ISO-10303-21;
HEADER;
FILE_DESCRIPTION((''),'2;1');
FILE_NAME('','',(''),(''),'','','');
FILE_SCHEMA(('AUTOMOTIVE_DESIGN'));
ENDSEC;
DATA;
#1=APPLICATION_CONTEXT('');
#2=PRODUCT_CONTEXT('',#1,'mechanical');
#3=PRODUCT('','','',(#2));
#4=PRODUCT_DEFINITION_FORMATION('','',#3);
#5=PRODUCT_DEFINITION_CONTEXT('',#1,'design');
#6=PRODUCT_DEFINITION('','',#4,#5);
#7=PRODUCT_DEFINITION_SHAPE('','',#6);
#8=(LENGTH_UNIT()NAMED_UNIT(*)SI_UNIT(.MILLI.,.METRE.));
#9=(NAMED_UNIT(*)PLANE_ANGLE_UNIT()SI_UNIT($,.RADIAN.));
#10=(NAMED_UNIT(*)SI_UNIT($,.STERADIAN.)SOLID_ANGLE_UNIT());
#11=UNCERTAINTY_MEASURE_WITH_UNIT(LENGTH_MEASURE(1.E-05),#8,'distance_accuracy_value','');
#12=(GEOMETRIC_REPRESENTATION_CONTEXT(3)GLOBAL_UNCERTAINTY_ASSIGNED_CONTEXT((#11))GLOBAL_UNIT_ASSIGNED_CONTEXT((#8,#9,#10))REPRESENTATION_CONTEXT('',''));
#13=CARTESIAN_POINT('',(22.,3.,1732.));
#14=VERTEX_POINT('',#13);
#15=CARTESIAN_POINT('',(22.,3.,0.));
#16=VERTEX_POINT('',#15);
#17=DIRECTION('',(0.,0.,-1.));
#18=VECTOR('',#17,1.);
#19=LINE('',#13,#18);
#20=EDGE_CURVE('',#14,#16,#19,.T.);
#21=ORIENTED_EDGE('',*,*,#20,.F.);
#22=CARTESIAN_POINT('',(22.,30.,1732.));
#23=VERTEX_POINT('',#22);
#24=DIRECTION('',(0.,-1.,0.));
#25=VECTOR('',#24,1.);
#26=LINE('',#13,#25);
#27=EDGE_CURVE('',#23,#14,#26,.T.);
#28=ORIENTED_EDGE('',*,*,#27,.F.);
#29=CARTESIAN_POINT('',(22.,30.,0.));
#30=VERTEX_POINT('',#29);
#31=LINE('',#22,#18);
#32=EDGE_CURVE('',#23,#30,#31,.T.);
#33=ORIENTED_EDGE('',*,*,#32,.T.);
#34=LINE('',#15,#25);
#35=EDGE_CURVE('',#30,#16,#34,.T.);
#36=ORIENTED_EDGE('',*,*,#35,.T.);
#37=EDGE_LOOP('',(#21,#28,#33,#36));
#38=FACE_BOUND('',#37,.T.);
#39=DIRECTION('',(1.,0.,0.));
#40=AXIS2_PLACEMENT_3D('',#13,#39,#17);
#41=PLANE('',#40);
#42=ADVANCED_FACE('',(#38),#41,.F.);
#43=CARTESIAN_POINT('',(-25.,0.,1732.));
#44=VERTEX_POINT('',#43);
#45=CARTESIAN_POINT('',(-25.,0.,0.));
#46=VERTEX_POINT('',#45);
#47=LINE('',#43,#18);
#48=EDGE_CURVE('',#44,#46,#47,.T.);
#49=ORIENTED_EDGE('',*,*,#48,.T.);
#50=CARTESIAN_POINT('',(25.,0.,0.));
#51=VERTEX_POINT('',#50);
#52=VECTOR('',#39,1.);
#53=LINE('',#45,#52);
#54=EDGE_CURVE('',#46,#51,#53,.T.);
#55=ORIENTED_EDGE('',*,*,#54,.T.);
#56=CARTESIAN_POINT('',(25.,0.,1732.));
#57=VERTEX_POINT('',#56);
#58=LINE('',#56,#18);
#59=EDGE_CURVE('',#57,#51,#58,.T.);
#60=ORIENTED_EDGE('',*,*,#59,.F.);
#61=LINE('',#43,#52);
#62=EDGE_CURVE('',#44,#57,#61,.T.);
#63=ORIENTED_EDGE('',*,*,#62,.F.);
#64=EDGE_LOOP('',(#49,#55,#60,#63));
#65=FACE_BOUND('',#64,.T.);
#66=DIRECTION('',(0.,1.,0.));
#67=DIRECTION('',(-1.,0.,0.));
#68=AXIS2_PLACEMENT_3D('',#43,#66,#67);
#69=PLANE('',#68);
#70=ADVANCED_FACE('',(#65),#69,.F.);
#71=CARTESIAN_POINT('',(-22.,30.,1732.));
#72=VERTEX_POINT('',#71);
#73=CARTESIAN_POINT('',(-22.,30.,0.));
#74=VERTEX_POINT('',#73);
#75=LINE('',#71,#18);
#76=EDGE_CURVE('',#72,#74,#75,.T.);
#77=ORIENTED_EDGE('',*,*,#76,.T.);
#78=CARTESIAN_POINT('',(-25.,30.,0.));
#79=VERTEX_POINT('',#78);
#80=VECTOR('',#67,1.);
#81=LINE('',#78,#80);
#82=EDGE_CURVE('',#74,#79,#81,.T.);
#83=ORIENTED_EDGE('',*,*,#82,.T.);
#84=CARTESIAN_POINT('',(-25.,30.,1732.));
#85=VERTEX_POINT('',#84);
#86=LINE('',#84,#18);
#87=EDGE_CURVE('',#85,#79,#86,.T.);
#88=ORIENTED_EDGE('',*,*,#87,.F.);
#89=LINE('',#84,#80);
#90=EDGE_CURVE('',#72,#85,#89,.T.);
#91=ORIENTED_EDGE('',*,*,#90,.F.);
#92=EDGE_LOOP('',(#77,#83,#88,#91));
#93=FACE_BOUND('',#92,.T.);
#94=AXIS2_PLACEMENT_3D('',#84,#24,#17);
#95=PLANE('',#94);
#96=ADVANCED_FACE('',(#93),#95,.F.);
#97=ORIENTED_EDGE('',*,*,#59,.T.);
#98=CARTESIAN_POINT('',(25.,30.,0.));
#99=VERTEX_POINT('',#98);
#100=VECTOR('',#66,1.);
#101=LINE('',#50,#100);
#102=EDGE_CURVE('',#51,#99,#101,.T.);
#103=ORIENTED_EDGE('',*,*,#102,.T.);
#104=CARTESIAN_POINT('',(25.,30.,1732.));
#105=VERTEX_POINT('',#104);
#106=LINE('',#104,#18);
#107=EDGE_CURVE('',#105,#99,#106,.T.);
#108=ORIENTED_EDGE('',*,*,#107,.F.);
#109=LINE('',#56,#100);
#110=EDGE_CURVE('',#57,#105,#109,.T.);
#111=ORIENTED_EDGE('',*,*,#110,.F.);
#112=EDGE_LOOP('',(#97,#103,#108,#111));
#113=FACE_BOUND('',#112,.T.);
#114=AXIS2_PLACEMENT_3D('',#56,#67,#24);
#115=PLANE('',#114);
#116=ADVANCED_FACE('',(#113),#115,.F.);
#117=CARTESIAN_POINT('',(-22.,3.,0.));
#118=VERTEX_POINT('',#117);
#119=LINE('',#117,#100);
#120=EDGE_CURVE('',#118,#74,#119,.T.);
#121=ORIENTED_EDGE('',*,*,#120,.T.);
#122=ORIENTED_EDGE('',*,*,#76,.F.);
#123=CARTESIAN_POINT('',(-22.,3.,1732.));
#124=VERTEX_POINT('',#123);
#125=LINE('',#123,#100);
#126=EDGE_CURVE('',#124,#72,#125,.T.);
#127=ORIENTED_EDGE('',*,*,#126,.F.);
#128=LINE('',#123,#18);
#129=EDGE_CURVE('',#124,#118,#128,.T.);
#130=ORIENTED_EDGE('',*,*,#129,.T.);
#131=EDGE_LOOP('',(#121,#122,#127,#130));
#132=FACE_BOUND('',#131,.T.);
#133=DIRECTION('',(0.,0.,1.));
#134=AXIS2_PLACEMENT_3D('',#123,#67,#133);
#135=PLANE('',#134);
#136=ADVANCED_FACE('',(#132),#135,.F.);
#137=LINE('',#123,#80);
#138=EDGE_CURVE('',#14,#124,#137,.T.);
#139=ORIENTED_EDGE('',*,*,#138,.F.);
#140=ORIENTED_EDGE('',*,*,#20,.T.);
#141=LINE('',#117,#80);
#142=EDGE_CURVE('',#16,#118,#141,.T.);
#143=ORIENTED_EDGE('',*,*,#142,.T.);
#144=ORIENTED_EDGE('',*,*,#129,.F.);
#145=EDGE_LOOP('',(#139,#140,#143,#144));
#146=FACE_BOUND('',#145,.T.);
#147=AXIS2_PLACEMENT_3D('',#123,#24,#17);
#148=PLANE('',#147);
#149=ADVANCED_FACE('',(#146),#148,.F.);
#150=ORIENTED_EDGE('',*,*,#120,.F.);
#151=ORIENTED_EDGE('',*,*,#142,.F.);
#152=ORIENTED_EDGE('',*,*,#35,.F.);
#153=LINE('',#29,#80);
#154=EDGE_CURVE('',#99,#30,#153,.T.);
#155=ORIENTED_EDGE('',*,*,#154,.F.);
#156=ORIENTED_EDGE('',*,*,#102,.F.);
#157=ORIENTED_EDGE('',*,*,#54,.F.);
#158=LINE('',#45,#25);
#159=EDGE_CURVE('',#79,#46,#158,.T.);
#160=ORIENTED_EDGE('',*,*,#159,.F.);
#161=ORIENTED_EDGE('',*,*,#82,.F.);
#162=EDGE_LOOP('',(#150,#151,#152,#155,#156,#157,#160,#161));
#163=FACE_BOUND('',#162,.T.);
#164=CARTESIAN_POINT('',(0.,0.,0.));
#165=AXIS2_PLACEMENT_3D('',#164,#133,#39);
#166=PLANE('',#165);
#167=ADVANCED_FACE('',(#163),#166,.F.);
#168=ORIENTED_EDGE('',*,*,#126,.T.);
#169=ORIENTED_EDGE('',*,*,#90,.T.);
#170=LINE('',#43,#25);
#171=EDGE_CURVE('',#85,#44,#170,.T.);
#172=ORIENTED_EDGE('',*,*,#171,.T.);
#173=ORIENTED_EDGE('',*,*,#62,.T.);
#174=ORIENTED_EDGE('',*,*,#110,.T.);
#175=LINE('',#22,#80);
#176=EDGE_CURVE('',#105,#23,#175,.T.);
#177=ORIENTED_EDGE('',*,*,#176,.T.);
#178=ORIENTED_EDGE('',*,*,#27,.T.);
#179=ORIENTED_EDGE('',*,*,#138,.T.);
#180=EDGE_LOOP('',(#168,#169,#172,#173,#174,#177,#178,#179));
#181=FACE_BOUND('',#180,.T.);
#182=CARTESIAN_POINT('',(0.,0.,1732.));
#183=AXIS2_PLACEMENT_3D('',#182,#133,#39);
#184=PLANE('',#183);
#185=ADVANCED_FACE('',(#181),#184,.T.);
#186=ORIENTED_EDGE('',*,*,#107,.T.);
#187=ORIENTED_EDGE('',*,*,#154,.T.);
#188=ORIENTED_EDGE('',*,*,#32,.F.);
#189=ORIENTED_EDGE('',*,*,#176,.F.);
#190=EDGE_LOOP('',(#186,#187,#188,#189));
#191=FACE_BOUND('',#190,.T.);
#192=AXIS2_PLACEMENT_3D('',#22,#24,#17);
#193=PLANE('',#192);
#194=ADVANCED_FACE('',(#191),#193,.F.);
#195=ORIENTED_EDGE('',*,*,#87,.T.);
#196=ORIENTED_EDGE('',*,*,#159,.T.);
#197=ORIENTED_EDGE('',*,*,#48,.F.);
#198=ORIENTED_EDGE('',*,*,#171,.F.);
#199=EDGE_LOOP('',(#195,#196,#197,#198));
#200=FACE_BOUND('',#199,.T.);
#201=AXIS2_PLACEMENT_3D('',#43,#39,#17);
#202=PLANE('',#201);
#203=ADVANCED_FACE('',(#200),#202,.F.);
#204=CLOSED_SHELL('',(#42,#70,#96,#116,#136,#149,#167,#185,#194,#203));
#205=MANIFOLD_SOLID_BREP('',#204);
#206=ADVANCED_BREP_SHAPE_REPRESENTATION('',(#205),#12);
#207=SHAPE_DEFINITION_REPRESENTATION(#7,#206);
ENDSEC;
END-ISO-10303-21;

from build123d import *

# Parameters (mm, degrees)
BOSS_EXTRUDE1_DEPTH = 1732


with BuildPart() as part:
    # Sketch1 → Boss-Extrude1 (new body)
    with BuildSketch(Plane.XY):
        Polygon((-25, 0), (25, 0), (25, 30), (22, 30), (22, 3), (-22, 3), (-22, 30), (-25, 30), align=None)
    extrude(amount=BOSS_EXTRUDE1_DEPTH)


solid = part.part
